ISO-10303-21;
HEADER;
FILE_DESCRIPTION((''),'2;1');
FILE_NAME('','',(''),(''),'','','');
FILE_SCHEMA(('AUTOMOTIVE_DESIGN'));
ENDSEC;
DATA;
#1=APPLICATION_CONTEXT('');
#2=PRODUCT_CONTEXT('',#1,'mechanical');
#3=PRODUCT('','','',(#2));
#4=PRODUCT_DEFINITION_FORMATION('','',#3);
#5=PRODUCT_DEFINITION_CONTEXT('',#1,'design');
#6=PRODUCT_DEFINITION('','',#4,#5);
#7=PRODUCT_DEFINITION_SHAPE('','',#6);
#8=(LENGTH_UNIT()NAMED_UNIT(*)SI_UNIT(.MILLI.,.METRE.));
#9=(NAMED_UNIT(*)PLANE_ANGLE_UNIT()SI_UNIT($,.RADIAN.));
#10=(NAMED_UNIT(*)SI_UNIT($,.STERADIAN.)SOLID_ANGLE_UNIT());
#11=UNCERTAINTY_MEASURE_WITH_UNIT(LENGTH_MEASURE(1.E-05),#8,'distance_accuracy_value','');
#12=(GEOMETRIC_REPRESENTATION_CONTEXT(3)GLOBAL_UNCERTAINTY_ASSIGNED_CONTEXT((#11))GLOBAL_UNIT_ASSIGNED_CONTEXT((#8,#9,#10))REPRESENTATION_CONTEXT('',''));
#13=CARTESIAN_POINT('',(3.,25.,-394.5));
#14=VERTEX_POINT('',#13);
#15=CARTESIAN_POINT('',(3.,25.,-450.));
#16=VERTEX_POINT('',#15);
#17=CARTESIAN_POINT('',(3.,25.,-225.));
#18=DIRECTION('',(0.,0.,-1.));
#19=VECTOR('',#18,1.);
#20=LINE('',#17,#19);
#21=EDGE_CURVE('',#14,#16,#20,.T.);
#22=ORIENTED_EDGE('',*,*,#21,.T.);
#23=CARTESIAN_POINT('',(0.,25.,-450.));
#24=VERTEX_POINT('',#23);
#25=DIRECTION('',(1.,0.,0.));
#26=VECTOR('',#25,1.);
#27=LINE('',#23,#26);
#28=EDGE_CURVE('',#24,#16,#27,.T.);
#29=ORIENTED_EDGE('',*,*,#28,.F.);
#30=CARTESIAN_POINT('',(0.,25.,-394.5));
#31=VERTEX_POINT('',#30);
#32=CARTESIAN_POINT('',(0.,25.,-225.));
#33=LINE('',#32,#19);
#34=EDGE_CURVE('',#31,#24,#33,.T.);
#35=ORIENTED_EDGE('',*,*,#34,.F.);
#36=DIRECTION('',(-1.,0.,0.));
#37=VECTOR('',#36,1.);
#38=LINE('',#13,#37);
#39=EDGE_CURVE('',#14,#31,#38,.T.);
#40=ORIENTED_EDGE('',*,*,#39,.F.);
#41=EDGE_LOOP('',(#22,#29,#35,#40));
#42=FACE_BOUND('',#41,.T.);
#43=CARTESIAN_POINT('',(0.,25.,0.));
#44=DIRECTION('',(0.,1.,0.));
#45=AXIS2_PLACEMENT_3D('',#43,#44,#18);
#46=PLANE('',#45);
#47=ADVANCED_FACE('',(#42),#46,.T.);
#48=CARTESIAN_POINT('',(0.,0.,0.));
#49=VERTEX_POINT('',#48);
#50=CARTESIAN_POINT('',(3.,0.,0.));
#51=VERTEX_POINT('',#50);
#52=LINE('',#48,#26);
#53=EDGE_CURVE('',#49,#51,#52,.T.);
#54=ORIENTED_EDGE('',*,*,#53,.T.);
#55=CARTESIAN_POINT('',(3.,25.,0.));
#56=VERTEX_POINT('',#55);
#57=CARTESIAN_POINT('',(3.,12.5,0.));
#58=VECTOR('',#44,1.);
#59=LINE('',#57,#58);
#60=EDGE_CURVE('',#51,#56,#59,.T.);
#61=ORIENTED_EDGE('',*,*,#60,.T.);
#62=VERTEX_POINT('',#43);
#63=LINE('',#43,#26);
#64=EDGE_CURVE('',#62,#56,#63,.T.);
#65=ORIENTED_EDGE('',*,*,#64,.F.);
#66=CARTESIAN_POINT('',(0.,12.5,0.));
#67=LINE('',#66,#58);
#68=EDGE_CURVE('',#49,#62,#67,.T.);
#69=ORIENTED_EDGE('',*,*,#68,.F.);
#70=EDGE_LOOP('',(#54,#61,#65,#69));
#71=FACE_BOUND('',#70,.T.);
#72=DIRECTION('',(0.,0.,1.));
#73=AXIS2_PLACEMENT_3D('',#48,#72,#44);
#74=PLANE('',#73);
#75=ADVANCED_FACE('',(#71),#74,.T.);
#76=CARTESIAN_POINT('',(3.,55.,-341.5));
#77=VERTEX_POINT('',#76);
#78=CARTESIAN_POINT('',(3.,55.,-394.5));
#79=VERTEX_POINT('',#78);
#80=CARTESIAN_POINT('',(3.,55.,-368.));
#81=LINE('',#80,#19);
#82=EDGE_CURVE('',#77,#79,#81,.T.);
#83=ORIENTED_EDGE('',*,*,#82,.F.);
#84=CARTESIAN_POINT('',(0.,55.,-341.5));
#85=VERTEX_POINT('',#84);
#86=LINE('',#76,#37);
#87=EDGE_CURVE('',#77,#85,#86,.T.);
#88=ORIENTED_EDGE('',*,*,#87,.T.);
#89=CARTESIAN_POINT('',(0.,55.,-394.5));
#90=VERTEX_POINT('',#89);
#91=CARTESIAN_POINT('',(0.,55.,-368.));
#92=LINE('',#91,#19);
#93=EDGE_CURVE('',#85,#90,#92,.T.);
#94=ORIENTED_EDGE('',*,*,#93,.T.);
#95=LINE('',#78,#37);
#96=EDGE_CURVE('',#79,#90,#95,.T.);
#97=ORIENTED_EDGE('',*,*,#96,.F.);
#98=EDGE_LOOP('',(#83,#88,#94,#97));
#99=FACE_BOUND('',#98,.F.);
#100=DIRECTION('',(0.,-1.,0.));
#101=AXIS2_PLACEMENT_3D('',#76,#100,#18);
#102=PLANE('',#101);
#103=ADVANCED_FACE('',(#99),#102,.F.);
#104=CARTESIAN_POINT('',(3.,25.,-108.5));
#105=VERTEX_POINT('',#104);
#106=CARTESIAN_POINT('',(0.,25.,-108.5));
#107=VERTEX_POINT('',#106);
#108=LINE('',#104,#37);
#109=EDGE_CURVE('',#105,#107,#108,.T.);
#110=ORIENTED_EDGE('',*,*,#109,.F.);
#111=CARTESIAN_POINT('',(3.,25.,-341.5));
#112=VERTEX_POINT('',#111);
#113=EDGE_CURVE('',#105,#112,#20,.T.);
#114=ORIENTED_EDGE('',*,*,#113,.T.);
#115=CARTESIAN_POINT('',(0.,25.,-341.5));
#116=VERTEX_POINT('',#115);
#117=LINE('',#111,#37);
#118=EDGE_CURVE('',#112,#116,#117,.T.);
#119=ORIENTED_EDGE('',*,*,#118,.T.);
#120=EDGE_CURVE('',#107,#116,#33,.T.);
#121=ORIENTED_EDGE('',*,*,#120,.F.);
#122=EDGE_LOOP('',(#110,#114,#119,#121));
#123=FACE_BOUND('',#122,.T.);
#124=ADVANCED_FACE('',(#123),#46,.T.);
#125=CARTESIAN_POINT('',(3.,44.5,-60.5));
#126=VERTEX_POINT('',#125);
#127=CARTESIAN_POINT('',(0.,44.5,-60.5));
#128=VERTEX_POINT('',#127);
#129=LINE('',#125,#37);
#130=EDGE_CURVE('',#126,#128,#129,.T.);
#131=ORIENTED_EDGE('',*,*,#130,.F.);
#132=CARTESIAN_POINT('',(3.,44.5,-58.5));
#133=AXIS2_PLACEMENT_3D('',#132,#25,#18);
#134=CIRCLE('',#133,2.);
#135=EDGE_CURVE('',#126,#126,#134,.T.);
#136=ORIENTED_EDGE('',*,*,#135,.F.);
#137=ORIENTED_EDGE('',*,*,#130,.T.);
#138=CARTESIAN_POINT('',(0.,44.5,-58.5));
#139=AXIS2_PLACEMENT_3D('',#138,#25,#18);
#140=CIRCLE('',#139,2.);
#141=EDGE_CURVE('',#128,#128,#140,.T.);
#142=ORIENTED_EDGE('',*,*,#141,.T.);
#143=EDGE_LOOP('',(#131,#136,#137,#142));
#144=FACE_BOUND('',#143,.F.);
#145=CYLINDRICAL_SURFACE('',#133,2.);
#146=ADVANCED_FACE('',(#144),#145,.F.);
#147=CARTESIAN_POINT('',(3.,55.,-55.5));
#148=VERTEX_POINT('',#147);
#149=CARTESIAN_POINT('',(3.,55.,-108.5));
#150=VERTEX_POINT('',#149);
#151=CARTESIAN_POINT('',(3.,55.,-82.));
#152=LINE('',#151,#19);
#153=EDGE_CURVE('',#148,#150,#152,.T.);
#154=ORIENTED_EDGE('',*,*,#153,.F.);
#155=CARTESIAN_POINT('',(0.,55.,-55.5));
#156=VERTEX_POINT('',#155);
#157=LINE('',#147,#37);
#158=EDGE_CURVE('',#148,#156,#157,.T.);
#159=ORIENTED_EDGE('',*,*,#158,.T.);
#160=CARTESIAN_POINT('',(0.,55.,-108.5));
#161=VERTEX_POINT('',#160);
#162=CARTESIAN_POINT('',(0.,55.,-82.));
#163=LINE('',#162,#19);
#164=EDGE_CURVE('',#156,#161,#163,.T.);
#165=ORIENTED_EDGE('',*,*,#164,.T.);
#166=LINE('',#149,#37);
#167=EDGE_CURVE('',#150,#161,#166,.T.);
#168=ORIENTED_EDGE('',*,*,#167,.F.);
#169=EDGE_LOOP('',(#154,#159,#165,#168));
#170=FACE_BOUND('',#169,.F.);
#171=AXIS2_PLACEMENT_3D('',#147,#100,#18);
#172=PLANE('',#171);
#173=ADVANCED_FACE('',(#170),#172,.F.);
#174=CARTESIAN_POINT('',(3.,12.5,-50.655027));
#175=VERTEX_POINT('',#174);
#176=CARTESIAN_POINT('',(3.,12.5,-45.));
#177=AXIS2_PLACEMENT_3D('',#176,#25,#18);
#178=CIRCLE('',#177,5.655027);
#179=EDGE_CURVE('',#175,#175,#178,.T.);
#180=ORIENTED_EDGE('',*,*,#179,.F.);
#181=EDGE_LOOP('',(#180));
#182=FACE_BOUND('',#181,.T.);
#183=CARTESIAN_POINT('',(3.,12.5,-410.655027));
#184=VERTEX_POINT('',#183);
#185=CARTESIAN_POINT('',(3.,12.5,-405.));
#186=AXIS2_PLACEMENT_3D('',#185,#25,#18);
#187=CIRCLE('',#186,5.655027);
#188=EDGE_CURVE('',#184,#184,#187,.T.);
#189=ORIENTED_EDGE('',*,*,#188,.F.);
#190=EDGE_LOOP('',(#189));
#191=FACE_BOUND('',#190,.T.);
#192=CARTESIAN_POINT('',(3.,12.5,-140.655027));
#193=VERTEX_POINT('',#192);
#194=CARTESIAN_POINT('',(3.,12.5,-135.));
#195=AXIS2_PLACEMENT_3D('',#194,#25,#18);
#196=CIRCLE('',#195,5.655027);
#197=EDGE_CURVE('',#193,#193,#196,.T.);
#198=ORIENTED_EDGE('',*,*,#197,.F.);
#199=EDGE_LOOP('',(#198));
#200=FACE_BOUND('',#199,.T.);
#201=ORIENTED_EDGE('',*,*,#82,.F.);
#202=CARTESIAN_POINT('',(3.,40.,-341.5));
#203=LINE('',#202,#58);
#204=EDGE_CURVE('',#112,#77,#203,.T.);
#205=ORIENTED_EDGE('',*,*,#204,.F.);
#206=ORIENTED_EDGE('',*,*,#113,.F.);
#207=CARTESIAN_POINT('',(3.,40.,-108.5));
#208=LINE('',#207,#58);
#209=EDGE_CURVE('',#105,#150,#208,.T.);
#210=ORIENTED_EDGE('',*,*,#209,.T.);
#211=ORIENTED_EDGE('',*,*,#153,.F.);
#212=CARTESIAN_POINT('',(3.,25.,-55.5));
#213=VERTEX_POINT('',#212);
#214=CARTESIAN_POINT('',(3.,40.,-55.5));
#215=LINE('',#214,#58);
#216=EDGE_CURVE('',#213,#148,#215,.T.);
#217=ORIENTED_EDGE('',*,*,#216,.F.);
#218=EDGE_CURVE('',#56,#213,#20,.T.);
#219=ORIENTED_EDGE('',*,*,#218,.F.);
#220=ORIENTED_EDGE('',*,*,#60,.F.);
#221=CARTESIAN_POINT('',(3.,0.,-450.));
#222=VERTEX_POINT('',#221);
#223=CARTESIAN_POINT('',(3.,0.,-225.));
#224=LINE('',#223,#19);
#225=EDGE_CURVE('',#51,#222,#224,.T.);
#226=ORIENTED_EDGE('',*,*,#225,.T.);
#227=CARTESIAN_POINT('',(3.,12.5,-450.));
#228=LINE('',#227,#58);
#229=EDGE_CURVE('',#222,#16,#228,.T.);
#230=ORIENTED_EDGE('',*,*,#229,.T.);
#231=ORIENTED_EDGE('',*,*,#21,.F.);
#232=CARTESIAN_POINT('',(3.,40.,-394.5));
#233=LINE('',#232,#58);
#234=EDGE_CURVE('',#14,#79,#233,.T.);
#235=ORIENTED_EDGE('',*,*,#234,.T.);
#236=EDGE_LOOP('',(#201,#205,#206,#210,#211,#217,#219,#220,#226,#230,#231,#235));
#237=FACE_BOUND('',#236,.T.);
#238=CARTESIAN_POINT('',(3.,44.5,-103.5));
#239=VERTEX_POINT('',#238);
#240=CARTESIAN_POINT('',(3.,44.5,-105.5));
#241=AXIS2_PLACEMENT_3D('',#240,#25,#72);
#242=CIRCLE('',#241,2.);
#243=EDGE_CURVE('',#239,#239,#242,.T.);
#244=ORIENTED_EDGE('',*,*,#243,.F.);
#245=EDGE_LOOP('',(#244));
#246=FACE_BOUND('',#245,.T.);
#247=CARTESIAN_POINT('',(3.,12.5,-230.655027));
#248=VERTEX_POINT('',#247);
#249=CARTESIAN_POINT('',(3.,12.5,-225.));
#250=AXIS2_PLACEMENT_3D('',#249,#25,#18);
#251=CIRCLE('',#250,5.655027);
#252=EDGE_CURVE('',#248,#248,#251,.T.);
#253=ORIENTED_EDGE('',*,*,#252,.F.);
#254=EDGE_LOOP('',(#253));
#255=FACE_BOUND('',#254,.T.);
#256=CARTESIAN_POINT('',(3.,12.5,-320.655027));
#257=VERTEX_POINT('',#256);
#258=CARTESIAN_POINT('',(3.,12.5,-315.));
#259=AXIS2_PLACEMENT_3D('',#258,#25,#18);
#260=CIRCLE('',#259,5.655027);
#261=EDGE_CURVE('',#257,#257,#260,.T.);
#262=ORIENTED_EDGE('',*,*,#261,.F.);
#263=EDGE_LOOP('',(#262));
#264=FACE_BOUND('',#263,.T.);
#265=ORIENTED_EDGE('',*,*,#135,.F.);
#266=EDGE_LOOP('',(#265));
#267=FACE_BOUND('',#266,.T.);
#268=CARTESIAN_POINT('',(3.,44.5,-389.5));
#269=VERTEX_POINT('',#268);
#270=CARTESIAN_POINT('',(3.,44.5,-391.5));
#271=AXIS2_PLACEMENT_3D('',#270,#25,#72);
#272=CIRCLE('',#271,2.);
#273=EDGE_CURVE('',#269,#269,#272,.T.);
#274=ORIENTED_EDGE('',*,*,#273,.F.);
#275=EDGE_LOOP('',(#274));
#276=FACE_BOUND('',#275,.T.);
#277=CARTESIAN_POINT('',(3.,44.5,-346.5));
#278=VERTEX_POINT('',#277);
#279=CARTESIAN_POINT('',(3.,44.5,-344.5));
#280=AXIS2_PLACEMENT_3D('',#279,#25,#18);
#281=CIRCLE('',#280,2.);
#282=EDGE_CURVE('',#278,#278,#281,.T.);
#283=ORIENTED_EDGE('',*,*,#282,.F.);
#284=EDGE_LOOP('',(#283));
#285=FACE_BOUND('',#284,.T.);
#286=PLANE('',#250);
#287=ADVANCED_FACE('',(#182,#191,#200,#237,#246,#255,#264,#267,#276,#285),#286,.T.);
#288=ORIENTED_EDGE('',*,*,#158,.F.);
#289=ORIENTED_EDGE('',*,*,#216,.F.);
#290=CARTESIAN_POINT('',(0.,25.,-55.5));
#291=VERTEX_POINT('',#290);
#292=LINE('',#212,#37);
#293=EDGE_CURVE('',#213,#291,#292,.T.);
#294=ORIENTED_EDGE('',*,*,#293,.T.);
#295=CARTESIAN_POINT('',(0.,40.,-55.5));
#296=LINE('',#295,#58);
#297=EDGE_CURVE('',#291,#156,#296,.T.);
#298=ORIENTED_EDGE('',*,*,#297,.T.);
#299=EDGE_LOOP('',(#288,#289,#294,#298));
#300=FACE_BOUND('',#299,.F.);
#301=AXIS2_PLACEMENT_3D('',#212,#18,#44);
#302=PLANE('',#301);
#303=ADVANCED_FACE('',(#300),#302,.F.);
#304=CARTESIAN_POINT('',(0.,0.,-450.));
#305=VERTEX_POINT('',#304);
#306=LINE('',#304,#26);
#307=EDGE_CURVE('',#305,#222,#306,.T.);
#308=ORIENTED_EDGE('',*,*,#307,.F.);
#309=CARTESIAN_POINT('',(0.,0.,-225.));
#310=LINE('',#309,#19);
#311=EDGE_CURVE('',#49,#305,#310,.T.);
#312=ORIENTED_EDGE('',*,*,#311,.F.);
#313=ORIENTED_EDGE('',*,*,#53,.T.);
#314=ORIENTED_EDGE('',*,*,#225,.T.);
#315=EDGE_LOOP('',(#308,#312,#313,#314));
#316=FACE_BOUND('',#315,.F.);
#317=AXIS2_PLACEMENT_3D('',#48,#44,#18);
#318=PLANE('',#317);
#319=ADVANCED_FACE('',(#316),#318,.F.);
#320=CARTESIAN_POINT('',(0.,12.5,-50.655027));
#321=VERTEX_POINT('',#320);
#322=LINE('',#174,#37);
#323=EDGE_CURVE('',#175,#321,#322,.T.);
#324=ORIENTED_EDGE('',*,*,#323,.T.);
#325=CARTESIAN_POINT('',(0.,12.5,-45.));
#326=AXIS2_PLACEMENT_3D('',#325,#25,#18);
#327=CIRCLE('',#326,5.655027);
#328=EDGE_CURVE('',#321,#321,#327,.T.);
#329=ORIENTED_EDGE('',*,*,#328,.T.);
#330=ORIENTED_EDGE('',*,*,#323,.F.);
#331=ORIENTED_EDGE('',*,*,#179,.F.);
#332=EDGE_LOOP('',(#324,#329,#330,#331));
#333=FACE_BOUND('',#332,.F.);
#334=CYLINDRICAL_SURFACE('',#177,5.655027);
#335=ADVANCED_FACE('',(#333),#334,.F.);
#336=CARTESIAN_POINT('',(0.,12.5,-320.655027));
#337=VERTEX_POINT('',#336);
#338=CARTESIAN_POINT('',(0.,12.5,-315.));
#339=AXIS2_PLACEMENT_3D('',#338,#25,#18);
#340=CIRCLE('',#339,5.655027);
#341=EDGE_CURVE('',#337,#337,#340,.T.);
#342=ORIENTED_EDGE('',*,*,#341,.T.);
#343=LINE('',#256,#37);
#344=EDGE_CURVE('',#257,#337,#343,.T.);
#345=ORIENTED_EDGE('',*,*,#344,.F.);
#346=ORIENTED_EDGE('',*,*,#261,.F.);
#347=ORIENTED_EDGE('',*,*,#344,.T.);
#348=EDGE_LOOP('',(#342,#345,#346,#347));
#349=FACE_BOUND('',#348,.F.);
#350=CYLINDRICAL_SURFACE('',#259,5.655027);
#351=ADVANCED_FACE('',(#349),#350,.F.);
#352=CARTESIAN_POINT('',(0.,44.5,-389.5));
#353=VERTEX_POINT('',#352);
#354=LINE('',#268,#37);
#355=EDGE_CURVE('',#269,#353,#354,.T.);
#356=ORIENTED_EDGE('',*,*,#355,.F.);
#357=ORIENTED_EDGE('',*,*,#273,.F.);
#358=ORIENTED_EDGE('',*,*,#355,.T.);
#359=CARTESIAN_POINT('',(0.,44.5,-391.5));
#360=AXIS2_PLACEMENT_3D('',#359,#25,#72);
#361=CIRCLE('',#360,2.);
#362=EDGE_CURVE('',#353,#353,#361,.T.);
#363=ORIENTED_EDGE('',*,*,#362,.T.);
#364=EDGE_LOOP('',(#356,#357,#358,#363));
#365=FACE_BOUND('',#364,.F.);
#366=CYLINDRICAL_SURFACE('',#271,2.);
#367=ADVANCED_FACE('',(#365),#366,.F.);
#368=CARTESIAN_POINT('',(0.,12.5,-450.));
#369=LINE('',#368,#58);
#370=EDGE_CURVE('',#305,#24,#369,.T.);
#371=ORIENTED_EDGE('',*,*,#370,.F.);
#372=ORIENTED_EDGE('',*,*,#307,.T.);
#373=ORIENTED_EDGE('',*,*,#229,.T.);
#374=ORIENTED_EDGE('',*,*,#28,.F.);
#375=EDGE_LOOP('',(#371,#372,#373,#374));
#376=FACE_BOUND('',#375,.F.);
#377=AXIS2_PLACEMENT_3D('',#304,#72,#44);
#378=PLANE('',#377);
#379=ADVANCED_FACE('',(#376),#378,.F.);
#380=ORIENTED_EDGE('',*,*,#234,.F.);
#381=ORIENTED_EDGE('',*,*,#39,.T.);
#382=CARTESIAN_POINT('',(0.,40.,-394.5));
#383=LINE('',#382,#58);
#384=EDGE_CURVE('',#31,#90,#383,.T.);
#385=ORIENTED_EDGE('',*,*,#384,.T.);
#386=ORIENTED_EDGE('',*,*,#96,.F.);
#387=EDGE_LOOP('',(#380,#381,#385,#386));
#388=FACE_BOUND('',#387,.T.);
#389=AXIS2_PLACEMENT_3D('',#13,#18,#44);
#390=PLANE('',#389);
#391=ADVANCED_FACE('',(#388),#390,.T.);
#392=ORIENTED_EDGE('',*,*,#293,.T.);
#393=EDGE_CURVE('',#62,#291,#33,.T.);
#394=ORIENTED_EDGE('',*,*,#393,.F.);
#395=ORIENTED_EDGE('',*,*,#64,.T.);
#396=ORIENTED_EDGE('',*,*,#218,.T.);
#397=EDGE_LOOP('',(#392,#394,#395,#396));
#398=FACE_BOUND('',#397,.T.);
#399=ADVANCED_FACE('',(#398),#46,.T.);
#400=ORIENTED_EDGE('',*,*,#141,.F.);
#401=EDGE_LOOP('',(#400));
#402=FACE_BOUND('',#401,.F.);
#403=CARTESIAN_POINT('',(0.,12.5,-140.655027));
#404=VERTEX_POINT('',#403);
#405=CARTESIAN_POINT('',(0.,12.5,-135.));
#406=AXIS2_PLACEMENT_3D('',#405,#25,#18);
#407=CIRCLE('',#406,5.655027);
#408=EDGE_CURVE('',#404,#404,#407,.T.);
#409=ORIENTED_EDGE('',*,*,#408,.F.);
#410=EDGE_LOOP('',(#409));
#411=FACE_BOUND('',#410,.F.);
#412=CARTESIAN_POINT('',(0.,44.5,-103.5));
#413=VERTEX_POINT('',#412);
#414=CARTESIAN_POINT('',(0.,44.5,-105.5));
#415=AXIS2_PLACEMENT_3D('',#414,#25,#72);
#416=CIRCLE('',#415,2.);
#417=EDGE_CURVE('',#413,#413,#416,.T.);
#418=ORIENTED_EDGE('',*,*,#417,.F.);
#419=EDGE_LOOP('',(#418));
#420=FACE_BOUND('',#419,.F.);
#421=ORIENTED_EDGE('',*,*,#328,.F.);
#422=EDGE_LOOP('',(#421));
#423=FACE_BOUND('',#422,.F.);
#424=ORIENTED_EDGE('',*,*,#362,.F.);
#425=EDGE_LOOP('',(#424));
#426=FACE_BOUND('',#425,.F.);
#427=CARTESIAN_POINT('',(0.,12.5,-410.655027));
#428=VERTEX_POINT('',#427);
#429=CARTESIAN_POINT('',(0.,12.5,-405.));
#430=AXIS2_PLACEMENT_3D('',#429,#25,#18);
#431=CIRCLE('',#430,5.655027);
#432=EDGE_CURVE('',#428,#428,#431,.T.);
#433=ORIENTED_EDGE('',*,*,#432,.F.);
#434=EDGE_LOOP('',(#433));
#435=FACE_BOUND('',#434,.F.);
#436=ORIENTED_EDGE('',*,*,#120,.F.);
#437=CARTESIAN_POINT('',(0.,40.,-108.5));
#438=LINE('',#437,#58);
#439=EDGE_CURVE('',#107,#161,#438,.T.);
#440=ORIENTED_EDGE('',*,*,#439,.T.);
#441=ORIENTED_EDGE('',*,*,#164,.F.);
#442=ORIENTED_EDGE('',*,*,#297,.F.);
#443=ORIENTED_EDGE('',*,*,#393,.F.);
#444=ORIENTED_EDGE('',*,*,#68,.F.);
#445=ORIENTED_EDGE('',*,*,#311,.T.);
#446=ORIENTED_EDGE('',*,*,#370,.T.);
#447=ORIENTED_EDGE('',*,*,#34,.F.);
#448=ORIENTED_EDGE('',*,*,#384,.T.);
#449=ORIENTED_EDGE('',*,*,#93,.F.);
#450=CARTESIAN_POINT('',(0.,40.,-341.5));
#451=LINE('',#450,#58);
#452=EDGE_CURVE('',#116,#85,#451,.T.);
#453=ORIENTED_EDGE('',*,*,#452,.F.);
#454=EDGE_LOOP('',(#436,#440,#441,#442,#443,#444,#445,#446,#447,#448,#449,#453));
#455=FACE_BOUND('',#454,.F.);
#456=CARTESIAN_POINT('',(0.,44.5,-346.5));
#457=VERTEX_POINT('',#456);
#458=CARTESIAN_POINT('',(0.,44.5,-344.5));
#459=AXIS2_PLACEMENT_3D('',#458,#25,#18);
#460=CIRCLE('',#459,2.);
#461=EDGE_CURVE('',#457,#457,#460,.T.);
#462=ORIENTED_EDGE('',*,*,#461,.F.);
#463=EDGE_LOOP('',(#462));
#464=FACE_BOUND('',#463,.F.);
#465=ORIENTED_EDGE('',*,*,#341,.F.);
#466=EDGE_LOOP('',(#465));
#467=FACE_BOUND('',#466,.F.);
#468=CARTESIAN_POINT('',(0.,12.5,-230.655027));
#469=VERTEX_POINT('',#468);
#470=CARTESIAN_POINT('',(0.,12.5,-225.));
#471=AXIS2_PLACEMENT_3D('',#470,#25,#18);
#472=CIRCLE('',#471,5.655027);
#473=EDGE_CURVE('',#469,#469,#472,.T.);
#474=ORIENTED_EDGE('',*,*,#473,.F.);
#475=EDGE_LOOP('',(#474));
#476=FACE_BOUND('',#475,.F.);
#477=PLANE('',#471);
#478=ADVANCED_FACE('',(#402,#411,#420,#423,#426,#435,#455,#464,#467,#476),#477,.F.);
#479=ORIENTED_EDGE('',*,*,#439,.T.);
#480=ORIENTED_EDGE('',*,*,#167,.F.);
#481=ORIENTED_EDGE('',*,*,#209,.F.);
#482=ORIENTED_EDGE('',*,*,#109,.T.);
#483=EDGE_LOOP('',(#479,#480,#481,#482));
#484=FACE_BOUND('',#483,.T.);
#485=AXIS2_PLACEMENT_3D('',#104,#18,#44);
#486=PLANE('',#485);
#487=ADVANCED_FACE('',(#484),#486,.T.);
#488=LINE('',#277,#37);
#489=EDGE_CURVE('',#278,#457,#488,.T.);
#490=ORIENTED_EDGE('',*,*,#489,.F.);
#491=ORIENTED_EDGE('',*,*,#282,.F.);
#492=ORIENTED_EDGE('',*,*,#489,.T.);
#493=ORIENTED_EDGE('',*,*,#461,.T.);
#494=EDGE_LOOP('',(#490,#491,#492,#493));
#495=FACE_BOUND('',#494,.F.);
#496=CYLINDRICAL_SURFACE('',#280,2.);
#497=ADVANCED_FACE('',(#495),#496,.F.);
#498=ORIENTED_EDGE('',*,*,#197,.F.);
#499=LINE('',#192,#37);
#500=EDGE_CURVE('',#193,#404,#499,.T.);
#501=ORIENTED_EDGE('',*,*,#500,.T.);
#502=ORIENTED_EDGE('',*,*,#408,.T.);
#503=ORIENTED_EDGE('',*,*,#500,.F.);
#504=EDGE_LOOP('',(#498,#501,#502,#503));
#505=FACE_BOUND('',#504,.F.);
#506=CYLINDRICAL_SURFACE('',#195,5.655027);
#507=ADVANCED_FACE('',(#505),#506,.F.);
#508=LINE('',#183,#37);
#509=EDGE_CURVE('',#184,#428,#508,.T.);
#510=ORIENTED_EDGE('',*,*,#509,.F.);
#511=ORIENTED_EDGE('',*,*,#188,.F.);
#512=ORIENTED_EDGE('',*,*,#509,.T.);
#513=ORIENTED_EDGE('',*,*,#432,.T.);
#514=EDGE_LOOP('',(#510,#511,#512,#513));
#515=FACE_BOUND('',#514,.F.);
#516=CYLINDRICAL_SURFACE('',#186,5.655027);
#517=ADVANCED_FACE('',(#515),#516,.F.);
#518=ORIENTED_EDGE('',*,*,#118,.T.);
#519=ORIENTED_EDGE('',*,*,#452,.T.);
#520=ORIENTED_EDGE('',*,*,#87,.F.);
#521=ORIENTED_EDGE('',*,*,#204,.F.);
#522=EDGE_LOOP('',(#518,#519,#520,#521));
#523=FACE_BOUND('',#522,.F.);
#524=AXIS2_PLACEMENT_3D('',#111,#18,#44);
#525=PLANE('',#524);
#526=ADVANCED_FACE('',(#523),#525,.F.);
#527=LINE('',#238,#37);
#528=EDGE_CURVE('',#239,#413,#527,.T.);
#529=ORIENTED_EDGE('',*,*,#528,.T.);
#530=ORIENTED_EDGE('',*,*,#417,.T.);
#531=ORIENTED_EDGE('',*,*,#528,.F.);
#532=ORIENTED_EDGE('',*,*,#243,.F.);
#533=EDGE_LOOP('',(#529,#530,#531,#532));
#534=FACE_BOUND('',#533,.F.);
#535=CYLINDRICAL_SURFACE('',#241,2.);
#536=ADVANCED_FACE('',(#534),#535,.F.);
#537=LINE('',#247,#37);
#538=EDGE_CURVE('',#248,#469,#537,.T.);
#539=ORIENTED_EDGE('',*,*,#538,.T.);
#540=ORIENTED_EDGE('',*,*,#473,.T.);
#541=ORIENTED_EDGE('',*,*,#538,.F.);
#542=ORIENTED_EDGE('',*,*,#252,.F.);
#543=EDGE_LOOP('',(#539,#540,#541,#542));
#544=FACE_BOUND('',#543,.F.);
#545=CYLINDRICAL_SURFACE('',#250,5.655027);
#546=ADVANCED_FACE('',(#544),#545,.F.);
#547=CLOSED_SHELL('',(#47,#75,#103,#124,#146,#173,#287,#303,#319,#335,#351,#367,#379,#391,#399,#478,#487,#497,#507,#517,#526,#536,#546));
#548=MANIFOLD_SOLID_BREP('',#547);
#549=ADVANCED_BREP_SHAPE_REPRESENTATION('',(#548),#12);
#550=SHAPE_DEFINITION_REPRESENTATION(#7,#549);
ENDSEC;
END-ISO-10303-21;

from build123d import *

# Parameters (mm, degrees)
SKETCH_1_W          = 450
SKETCH_1_H          = 25
EXTRUDE_1_DEPTH     = 3
SKETCH_2_W          = 53
SKETCH_2_H          = 30
SKETCH_2_R          = 2
EXTRUDE_2_DEPTH     = 3
SKETCH_3_R          = 5.655027455
CUT_EXTRUDE_1_DEPTH = 454.358577728


with BuildPart() as part:
    # 草图1 → 凸台-拉伸1 (new body)
    with BuildSketch(Plane(origin=(0, 0, 0), x_dir=(0, 0, -1), z_dir=(1, 0, 0))):
        with Locations((225, 12.5)):
            Rectangle(SKETCH_1_W, SKETCH_1_H)
    extrude(amount=EXTRUDE_1_DEPTH)

    # 草图2 → 凸台-拉伸2 (add)
    # profile 1 of 2: a face of its own
    with BuildSketch(Plane(origin=(3, 0, 0), x_dir=(0, 0, -1), z_dir=(1, 0, 0))):
        with Locations((82, 40)):
            Rectangle(SKETCH_2_W, SKETCH_2_H)
        with Locations((58.5, 44.5)):
            Circle(SKETCH_2_R, mode=Mode.SUBTRACT)
        with Locations(Location((105.5, 44.5, 0), (0, 0, 180))):
            Circle(SKETCH_2_R, mode=Mode.SUBTRACT)
    # profile 2 of 2: a face of its own
    with BuildSketch(Plane(origin=(3, 0, 0), x_dir=(0, 0, -1), z_dir=(1, 0, 0))):
        with Locations((368, 40)):
            Rectangle(SKETCH_2_W, SKETCH_2_H)
        with Locations((344.5, 44.5)):
            Circle(SKETCH_2_R, mode=Mode.SUBTRACT)
        with Locations(Location((391.5, 44.5, 0), (0, 0, 180))):
            Circle(SKETCH_2_R, mode=Mode.SUBTRACT)
    extrude(amount=-EXTRUDE_2_DEPTH)

    # 草图3 → 切除-拉伸1 (cut, through all)
    with BuildSketch(Plane(origin=(3, 0, 0), x_dir=(0, 0, -1), z_dir=(1, 0, 0))):
        with Locations((225, 12.5)):
            Circle(SKETCH_3_R)
        with Locations((315, 12.5)):
            Circle(SKETCH_3_R)
        with Locations((405, 12.5)):
            Circle(SKETCH_3_R)
        with Locations((135, 12.5)):
            Circle(SKETCH_3_R)
        with Locations((45, 12.5)):
            Circle(SKETCH_3_R)
    extrude(amount=-CUT_EXTRUDE_1_DEPTH, mode=Mode.SUBTRACT)


solid = part.part
